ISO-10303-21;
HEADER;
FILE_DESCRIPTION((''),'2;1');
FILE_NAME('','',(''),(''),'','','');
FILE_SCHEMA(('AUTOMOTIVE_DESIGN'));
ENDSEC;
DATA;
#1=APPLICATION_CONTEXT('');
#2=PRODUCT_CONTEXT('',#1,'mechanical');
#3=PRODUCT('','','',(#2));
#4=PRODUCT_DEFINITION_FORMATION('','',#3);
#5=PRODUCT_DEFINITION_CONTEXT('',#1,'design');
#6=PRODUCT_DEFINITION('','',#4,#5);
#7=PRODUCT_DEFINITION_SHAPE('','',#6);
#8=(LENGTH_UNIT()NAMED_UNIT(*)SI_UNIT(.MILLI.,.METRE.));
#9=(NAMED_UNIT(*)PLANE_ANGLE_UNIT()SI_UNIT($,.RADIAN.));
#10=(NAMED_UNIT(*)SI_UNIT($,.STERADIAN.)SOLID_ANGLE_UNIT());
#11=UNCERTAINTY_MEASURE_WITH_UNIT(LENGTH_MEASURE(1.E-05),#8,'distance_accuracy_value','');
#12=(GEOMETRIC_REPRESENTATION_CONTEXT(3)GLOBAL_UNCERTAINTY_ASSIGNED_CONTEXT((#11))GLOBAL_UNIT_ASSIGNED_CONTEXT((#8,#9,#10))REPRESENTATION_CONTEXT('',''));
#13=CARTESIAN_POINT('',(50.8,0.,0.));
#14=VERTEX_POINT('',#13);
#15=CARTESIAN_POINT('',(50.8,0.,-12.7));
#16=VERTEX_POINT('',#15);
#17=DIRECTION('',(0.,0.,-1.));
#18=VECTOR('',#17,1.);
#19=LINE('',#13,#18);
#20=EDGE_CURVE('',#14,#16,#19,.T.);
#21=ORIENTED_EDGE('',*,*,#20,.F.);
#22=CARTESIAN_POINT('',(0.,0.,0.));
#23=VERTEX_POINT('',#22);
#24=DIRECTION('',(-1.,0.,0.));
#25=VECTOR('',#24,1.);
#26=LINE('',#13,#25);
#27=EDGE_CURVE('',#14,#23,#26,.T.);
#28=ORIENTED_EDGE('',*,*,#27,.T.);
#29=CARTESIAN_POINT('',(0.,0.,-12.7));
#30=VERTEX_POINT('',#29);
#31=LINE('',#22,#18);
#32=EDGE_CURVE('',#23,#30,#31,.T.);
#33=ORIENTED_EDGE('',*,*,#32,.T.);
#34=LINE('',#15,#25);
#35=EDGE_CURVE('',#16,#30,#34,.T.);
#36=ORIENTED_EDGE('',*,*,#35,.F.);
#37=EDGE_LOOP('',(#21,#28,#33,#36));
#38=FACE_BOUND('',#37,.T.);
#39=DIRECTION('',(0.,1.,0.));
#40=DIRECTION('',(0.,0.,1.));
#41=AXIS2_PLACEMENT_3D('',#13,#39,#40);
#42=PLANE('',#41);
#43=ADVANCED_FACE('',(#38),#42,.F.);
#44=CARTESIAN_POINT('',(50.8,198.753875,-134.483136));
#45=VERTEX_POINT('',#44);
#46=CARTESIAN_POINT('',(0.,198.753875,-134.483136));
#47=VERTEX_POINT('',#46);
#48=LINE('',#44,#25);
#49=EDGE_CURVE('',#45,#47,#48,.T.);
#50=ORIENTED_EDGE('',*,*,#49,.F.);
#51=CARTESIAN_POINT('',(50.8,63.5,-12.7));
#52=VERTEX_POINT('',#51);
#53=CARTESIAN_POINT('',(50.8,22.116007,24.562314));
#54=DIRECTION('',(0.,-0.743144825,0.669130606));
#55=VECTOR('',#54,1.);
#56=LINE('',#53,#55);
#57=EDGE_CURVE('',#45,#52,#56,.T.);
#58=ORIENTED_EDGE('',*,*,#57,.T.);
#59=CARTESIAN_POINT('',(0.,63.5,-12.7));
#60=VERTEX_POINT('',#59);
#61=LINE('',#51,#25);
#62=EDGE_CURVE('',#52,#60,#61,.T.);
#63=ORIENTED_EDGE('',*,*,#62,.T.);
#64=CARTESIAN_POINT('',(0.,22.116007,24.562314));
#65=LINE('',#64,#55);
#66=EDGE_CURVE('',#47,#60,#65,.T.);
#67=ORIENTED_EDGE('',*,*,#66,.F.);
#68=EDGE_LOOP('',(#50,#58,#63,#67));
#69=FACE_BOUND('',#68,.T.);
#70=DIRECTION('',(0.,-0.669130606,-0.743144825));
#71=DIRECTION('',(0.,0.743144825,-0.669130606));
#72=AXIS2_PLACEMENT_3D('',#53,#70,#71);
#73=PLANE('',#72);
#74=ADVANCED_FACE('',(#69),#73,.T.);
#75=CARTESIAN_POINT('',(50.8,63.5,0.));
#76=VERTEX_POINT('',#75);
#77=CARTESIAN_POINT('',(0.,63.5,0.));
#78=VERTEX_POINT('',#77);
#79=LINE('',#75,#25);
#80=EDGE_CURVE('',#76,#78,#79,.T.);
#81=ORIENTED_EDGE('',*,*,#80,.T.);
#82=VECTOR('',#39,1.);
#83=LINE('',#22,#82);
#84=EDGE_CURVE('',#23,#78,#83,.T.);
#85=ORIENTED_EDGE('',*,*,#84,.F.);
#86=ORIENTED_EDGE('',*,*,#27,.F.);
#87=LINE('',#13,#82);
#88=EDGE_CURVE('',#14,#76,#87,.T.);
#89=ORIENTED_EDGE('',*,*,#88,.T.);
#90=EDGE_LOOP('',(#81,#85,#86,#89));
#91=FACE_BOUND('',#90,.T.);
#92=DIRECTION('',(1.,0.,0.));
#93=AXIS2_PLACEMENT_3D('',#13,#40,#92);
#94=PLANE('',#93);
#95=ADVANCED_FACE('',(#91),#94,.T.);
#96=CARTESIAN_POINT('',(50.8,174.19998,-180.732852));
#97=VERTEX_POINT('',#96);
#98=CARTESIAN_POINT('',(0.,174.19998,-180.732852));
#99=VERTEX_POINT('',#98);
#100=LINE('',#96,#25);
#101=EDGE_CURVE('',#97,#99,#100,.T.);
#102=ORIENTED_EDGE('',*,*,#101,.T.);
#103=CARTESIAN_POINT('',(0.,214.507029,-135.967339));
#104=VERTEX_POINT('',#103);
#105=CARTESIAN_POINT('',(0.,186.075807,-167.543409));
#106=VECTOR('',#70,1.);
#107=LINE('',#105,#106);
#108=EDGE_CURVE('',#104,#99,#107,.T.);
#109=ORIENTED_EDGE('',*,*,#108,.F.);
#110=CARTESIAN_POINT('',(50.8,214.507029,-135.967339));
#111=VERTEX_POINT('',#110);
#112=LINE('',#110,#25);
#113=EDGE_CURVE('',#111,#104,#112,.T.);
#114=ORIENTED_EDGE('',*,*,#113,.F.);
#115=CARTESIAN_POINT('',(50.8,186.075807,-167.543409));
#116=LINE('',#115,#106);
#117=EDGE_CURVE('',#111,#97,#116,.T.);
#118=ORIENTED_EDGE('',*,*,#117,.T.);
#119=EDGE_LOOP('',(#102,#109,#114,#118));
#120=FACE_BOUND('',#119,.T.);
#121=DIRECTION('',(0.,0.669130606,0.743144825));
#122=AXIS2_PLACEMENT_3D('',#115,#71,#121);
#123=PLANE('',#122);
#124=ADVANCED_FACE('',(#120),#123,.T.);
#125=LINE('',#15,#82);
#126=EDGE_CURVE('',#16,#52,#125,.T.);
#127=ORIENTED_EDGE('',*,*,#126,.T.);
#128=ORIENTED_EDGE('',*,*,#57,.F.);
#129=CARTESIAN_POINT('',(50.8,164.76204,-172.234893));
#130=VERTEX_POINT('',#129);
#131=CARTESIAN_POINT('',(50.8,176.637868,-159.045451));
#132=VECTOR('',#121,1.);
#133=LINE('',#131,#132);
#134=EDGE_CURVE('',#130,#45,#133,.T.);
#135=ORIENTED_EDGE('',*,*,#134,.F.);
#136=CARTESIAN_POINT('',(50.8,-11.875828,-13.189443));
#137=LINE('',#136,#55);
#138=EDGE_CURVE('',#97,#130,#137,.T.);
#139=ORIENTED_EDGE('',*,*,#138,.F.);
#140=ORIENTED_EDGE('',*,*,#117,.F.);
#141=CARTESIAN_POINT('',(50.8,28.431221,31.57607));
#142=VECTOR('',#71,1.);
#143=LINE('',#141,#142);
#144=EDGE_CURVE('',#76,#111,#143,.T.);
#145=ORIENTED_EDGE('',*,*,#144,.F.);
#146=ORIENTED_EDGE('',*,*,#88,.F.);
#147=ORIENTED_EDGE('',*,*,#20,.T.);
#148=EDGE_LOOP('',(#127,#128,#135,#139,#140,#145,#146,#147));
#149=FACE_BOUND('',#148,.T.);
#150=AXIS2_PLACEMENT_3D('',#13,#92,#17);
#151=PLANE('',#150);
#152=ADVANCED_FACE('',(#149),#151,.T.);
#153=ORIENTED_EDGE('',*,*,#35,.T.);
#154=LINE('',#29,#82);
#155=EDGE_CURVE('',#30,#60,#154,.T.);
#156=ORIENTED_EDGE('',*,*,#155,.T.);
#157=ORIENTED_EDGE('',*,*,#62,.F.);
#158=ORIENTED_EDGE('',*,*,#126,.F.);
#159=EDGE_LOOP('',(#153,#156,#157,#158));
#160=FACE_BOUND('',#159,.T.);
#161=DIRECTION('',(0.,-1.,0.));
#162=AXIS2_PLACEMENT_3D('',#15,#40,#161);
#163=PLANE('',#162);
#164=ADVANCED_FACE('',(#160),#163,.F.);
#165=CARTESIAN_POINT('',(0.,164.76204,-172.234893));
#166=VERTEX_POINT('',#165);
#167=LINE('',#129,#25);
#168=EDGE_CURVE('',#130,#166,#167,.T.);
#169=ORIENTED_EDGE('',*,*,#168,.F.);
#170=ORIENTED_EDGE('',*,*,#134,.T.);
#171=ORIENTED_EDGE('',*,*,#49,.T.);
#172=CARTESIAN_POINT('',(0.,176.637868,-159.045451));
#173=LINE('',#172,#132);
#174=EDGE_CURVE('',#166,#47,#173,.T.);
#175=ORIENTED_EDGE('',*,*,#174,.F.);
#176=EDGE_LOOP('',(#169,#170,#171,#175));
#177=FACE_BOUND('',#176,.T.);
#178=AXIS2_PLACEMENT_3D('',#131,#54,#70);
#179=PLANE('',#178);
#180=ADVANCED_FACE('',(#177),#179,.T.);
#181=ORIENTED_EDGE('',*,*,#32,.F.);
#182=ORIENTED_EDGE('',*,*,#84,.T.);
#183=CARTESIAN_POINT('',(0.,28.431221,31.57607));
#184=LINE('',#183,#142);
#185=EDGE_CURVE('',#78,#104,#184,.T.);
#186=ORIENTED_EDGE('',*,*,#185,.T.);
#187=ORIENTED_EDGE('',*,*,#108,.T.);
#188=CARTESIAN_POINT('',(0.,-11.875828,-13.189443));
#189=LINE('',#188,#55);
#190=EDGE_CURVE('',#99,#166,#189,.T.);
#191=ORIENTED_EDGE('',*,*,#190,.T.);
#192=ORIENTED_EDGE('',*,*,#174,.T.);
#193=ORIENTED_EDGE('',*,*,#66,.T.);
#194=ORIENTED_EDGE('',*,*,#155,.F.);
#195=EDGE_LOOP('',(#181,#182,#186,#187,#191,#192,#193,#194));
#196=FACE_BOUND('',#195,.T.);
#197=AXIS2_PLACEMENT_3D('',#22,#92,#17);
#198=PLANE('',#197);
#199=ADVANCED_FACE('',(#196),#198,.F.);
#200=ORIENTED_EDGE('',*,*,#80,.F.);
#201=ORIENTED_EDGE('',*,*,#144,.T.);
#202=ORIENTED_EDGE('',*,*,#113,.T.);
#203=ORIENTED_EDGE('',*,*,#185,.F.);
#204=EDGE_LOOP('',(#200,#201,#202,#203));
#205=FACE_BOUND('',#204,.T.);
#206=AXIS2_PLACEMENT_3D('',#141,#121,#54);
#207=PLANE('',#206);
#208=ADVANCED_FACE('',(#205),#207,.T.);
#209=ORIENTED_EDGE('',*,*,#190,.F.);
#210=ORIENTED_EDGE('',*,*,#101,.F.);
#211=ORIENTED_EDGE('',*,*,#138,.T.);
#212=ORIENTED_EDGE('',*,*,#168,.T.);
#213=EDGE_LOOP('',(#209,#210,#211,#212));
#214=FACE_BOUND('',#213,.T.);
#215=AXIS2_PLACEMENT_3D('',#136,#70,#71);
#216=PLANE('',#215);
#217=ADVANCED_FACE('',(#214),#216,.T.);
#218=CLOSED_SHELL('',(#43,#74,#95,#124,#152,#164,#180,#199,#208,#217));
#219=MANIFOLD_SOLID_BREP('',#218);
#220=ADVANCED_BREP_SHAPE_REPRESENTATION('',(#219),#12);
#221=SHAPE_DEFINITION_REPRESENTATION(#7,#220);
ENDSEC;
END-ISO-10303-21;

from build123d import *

# Parameters (mm, degrees)
SKETCH1_W           = 12.7
SKETCH1_H           = 63.5
BOSS_EXTRUDE1_DEPTH = 50.8


with BuildPart() as part:
    # Sketch1 → Boss-Extrude1 (new body)
    with BuildSketch(Plane(origin=(0, 0, 0), x_dir=(0, 0, -1), z_dir=(1, 0, 0))):
        Polygon((134.483136253, 198.753875218), (12.7, 63.5), (0, 63.5), (135.967339212, 214.507028537), (180.732852088, 174.199979698), (172.234893387, 164.762040415), align=None)
        with Locations((6.35, 31.75)):
            Rectangle(SKETCH1_W, SKETCH1_H)
    extrude(amount=BOSS_EXTRUDE1_DEPTH)


solid = part.part
